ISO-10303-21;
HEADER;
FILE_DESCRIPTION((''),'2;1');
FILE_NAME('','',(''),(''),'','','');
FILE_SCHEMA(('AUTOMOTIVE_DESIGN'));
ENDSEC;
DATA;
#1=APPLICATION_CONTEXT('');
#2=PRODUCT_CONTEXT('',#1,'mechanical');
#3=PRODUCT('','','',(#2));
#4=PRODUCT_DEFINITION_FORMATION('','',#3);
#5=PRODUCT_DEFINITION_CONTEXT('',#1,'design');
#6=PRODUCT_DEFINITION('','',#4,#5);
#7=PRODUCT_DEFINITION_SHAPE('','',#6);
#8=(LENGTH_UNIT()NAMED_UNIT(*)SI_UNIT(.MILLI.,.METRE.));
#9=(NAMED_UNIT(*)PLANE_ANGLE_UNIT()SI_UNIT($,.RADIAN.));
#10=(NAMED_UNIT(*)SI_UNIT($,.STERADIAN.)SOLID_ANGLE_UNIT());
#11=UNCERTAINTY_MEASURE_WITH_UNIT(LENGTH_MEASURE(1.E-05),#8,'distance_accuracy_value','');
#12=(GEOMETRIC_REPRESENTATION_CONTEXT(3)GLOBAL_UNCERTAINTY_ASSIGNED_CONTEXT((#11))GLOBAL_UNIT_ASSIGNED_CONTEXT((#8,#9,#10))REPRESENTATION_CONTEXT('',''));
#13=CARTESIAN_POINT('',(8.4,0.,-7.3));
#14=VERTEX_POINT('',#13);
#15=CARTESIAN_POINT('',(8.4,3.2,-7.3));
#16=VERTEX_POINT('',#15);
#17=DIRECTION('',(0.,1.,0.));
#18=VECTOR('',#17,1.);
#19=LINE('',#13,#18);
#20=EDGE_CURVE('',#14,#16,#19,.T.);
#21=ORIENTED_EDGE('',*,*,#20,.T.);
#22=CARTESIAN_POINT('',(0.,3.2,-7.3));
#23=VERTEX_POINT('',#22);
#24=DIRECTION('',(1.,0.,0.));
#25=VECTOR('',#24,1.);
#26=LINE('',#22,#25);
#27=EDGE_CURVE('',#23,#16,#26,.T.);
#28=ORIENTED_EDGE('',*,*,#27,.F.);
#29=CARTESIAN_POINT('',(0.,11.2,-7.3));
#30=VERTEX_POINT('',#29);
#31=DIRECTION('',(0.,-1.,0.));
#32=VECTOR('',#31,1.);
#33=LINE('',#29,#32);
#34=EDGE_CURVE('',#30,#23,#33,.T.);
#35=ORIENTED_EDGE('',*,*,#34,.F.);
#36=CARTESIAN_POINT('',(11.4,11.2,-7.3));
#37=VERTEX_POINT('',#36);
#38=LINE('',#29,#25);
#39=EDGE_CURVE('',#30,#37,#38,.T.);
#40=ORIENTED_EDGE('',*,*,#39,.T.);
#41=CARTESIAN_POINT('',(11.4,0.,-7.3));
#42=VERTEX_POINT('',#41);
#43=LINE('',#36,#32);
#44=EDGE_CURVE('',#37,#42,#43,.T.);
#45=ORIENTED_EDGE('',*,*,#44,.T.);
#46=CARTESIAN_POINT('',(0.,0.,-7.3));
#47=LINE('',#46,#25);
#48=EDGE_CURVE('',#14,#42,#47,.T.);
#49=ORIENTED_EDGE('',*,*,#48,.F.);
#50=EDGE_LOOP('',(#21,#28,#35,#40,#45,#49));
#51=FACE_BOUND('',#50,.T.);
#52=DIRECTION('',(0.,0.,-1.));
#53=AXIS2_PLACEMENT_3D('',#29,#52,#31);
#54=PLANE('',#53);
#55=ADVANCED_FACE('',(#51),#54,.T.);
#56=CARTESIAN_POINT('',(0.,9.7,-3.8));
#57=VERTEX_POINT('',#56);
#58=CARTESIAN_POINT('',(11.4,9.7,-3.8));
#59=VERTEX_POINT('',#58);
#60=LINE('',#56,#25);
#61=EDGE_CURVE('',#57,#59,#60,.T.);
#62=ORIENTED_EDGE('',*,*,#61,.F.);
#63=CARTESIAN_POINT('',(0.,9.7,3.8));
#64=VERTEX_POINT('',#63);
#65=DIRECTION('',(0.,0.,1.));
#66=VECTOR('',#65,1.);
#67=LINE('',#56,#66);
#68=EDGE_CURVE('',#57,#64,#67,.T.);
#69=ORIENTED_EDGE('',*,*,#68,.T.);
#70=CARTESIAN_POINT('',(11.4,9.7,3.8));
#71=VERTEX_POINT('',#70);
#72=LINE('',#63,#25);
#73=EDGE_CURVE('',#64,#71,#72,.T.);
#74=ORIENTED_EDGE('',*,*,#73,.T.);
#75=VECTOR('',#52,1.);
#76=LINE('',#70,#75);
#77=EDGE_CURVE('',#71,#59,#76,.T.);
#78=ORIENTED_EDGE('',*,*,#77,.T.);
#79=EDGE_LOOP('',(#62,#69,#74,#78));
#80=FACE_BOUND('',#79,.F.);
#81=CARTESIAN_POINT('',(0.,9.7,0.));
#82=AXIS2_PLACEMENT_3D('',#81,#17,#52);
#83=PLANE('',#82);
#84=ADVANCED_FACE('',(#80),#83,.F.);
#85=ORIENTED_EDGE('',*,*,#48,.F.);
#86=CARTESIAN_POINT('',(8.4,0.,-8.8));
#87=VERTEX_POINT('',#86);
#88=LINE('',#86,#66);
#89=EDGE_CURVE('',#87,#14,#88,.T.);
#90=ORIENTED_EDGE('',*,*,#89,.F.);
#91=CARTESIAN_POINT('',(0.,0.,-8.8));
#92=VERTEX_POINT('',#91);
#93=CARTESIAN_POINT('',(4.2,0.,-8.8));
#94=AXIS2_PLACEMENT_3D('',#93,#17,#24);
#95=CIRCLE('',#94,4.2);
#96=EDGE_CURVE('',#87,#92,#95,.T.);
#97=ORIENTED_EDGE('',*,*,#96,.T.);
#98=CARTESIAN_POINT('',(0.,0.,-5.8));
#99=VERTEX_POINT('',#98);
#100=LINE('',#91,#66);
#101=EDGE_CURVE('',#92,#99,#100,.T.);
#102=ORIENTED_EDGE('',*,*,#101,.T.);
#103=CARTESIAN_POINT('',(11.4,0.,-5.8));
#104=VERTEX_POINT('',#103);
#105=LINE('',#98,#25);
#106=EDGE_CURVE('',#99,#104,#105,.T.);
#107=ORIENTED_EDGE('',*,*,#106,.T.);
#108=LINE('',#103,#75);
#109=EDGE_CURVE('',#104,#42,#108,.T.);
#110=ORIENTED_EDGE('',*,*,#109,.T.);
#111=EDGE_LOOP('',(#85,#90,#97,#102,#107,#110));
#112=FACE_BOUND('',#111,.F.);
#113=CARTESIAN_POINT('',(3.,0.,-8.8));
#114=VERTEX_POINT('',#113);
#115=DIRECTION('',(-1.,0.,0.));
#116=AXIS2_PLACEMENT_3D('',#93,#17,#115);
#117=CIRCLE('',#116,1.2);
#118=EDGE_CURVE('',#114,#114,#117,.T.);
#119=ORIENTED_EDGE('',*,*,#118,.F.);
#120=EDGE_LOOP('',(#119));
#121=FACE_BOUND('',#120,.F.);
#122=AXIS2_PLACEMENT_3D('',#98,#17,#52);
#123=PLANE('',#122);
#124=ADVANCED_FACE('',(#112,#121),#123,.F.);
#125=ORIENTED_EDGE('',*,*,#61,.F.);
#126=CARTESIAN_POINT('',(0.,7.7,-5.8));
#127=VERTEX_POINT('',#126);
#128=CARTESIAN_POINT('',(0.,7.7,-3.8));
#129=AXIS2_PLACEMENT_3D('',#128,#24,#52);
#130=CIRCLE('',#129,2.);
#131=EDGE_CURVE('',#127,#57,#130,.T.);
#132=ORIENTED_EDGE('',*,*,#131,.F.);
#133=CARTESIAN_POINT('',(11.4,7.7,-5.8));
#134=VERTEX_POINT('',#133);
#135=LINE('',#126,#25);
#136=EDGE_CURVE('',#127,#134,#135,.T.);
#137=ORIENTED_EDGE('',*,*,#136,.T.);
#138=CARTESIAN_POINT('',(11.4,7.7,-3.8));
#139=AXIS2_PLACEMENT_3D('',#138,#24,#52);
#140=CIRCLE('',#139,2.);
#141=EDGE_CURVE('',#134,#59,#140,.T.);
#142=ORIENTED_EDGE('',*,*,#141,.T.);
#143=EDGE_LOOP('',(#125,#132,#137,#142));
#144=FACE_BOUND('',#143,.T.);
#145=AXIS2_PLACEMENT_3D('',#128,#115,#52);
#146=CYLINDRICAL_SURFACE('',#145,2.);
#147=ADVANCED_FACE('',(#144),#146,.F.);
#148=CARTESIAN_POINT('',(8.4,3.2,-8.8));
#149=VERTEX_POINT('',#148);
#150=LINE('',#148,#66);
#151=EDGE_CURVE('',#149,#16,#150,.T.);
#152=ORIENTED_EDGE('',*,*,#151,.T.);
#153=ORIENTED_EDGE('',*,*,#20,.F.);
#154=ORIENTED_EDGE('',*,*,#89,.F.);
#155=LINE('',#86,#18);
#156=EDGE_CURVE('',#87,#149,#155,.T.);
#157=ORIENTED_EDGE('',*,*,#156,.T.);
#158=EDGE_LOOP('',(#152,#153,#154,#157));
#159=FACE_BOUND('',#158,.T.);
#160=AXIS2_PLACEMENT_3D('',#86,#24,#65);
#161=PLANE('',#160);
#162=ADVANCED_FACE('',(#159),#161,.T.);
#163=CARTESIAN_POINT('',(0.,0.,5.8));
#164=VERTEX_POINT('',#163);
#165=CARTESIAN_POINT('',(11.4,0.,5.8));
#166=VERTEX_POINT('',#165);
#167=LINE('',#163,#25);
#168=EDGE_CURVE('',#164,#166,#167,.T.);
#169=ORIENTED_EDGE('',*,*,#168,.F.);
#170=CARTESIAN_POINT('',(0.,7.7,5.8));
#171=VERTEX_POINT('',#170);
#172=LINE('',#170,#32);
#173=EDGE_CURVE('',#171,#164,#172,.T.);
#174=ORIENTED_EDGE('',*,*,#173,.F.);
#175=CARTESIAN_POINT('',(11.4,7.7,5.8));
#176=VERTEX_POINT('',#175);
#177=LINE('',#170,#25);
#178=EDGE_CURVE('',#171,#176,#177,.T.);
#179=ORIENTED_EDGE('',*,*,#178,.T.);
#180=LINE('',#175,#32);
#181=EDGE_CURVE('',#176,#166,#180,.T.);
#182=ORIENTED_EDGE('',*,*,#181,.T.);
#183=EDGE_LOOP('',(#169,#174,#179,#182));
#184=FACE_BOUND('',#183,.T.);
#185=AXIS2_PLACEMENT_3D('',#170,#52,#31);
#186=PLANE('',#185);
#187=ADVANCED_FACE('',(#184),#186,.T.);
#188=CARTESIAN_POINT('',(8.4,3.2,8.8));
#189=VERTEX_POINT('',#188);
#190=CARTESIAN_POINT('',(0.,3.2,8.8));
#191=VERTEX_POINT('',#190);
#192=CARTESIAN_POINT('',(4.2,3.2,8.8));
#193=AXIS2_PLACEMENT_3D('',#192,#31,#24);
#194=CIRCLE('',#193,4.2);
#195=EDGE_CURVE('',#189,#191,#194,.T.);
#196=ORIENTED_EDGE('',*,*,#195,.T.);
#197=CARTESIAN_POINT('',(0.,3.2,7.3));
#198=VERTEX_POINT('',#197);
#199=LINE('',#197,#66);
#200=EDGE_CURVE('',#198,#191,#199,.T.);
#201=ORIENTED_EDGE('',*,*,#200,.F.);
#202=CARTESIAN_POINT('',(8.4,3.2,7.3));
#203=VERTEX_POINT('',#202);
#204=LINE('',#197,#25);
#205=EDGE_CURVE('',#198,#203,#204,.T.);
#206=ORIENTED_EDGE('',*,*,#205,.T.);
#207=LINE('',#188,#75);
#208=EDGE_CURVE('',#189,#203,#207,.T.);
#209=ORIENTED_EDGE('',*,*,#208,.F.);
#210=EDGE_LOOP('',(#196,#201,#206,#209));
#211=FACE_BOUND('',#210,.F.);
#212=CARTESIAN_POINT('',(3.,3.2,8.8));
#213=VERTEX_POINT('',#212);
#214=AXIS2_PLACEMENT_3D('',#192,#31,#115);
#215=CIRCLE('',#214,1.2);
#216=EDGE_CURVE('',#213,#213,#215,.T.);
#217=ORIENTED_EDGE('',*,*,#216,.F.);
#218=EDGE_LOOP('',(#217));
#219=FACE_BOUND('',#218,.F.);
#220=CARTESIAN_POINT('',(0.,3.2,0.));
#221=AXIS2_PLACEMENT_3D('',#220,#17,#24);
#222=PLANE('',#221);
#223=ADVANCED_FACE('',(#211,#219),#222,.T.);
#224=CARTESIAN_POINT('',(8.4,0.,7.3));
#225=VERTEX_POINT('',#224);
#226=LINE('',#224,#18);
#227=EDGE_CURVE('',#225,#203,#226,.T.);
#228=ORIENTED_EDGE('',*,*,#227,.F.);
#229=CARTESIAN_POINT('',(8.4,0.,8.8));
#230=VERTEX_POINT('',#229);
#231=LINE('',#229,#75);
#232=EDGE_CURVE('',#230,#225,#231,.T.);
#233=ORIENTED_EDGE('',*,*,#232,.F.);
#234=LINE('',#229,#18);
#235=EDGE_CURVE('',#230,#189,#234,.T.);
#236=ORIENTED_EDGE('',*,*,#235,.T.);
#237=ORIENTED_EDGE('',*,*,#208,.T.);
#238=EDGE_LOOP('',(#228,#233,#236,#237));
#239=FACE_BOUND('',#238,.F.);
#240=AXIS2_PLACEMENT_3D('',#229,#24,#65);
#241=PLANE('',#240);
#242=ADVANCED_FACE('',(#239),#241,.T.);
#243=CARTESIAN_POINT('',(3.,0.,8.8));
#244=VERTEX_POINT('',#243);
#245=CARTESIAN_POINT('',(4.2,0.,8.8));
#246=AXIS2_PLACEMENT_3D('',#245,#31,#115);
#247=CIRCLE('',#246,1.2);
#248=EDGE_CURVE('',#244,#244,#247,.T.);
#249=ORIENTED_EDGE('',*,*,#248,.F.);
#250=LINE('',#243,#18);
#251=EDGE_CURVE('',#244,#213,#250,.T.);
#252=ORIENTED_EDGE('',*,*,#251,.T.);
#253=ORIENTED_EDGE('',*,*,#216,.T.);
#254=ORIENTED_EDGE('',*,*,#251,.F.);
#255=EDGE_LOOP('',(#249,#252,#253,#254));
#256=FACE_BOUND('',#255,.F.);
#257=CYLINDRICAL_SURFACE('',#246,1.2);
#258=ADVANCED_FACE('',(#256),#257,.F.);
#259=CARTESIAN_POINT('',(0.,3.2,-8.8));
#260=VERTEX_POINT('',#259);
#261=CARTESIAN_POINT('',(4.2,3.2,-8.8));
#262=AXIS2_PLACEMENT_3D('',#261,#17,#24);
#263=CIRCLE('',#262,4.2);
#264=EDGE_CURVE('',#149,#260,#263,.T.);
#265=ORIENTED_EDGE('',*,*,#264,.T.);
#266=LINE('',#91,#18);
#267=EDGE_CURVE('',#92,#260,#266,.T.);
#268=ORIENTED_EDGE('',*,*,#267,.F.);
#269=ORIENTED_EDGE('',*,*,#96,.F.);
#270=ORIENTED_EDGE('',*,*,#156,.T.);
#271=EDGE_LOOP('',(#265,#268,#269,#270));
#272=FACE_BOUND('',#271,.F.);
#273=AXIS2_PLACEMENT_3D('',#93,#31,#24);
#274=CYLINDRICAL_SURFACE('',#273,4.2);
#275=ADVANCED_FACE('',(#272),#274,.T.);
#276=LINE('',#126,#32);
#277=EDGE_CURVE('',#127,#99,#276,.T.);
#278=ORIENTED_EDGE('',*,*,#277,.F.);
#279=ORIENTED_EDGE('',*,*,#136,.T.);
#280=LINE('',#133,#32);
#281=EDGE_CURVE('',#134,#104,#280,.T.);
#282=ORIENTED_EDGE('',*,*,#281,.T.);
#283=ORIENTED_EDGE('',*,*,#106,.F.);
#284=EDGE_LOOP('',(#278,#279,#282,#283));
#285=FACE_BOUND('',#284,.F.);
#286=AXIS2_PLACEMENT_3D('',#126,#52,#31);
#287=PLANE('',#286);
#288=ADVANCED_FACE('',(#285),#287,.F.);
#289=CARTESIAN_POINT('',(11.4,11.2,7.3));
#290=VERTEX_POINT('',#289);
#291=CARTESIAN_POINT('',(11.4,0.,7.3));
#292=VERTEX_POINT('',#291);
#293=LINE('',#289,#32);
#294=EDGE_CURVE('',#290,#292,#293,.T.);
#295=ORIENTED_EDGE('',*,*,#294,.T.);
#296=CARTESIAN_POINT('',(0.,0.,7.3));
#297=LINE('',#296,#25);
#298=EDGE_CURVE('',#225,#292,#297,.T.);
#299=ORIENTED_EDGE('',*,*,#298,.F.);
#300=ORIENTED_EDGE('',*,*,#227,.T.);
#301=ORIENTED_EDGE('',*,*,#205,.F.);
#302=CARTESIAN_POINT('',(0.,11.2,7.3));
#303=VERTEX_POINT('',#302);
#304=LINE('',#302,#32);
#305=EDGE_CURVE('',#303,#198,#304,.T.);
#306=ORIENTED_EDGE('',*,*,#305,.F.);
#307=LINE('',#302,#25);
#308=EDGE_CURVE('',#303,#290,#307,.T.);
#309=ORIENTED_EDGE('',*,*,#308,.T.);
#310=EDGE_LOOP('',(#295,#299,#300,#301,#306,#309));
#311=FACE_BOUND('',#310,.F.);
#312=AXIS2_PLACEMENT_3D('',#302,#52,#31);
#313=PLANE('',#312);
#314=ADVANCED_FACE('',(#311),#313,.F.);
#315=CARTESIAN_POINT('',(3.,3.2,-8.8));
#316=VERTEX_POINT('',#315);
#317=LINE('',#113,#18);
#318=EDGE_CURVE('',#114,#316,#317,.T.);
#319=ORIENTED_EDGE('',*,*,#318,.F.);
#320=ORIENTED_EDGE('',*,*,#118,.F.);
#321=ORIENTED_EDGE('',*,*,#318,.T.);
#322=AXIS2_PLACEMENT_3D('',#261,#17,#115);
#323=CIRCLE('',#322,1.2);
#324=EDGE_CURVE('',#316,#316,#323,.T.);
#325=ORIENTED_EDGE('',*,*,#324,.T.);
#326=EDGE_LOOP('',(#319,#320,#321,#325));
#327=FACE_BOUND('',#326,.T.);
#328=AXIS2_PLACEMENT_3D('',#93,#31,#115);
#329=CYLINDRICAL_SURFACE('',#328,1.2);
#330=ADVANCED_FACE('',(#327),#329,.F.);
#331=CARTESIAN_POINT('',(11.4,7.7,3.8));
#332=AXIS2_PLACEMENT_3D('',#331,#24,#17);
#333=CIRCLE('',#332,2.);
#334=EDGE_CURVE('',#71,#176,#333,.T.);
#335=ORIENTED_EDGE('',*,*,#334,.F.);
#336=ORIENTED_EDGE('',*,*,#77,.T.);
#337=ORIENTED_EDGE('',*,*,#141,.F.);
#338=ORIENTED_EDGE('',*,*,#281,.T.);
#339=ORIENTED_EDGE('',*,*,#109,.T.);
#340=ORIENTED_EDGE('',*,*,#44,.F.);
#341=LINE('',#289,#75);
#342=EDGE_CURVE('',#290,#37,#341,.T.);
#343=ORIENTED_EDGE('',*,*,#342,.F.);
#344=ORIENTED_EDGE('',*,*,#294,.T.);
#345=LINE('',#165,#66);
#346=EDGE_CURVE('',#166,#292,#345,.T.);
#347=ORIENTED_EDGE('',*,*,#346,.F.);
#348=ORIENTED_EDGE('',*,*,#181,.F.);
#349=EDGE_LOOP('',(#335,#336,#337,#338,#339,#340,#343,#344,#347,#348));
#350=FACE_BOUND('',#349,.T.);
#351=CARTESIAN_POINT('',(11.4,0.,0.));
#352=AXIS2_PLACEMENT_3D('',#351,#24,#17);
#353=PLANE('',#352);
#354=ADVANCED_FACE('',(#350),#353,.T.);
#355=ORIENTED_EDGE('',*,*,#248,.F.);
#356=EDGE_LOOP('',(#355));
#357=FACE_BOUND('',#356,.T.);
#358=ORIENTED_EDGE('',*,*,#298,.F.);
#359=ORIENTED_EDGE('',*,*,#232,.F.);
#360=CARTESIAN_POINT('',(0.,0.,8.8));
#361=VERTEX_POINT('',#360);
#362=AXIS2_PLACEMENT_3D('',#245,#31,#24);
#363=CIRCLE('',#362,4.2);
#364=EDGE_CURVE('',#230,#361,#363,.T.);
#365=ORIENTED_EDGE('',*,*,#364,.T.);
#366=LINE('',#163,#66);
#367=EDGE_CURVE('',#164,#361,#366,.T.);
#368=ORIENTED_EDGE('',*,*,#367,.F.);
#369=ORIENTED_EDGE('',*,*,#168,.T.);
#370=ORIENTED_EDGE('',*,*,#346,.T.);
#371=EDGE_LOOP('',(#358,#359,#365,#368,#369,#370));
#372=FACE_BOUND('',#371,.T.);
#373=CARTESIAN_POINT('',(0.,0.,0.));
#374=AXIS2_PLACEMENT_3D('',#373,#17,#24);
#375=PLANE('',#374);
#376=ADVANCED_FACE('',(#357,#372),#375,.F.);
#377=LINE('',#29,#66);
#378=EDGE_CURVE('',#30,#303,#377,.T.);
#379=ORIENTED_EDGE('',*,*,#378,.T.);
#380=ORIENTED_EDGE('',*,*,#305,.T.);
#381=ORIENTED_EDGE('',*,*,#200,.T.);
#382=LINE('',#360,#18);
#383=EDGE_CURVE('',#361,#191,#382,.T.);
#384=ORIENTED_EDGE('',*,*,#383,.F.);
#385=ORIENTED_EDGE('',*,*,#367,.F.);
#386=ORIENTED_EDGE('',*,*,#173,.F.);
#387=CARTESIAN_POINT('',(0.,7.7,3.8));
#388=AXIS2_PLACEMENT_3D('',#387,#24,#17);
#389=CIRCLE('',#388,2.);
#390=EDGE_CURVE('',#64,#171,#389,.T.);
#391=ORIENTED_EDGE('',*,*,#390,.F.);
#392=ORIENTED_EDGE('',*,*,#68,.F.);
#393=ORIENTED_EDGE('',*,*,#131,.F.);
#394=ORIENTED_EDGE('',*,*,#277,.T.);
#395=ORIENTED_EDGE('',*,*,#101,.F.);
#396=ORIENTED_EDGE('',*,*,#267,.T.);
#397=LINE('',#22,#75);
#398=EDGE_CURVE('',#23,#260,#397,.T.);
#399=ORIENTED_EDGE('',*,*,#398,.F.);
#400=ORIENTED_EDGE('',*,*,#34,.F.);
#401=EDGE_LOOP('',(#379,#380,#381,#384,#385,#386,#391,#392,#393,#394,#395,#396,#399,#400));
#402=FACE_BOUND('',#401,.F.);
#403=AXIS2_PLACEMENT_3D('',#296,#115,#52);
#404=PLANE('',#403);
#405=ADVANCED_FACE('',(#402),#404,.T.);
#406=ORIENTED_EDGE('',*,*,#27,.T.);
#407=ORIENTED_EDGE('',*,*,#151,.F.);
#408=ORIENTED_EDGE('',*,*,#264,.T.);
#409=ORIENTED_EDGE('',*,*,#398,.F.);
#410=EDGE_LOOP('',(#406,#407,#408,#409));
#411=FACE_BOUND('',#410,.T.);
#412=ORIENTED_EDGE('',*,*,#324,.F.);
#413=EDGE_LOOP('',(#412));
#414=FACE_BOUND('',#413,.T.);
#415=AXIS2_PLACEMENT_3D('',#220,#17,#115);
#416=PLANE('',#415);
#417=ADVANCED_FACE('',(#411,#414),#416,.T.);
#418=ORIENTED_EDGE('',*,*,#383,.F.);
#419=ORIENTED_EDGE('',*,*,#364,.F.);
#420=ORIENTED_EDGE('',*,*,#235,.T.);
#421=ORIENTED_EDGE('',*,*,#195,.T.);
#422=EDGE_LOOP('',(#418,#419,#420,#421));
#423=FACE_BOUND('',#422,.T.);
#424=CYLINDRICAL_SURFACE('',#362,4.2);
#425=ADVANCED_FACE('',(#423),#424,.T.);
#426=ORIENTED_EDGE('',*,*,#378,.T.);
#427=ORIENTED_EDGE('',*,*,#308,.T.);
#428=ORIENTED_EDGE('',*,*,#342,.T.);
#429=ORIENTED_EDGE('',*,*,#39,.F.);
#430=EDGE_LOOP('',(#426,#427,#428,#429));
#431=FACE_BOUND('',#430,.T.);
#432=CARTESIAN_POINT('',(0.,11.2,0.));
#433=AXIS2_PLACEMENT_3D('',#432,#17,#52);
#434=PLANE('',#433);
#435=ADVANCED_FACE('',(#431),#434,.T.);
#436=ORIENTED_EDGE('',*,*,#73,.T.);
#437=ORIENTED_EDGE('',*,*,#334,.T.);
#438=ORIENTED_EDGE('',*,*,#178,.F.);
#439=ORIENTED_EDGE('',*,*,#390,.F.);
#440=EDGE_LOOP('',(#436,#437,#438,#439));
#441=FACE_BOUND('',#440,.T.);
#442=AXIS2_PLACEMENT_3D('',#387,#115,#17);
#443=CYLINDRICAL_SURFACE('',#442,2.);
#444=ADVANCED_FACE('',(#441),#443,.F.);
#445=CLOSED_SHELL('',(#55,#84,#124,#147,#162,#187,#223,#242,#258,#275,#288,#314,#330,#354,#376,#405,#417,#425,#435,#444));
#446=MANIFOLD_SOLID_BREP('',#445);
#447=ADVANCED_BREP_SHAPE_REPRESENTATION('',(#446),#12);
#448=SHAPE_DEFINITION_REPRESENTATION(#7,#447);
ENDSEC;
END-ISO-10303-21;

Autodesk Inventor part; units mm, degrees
ref_plane "YZ Plane" through (0, 0, 0) normal (1, 0, 0) x (0, 1, 0)
ref_plane "XZ Plane" through (0, 0, 0) normal (0, 1, 0) x (-1, 0, 0)
ref_plane "XY Plane" through (0, 0, 0) normal (0, 0, 1) x (1, 0, 0)
sketch "Sketch1" plane through (0, 0, 0) normal (1, 0, 0) x (0, 1, 0)
  line L0 (11.2, 0) -> (11.2, -7.3)
  line L1 (11.2, -7.3) -> (0, -7.3)
  line L2 (9.7, 0) -> (9.7, -3.8)
  line L3 (7.7, -5.8) -> (0, -5.8)
  arc A0 (7.7, -5.8) -> (9.7, -3.8) centre (7.7, -3.8) ccw
  line L4 (0, -5.8) -> (0, -7.3)
  line L5 (0, 0) -> (11.2, 0) construction
  line L6 (11.2, 0) -> (11.2, 7.3)
  line L7 (11.2, 7.3) -> (0, 7.3)
  line L8 (9.7, 0) -> (9.7, 3.8)
  line L9 (7.7, 5.8) -> (0, 5.8)
  arc A1 (9.7, 3.8) -> (7.7, 5.8) centre (7.7, 3.8) ccw
  line L10 (0, 5.8) -> (0, 7.3)
  dimension "d2" = 5.8
  dimension "d4" = 1.5
  dimension "d5" = 2
  dimension "d6" = 11.2
  dimension "d7" = 1.5
extrude "Extrusion1" add sketch "Sketch1" along normal blind 11.4
sketch "Sketch3" plane through (0, 0, 0) normal (0, 1, 0) x (-1, 0, 0)
  line L0 (0, -7.3) -> (0, 7.3) projected
  line L1 (0, -7.3) -> (0, -8.8)
  line L2 (-8.4, -8.8) -> (-8.4, -7.3)
  line L3 (0, -7.3) -> (-11.4, -7.3) projected
  line L4 (0, -8.8) -> (-8.4, -8.8) construction
  arc A0 (-8.4, -8.8) -> (0, -8.8) centre (-4.2, -8.8) ccw
  circle A1 centre (-4.2, -8.8) radius 1.2
  point P0 (0, 0)
  dimension "d12" = 1.5
  dimension "d13" = 4.2
  dimension "d16" = 2.4
extrude "Extrusion2" add sketch "Sketch3" along normal blind 3.2
mirror "Mirror1" about plane through (0, 0, 0) normal (0, 0, 1) of "Extrusion2"
properties part number "soporteMotor"
